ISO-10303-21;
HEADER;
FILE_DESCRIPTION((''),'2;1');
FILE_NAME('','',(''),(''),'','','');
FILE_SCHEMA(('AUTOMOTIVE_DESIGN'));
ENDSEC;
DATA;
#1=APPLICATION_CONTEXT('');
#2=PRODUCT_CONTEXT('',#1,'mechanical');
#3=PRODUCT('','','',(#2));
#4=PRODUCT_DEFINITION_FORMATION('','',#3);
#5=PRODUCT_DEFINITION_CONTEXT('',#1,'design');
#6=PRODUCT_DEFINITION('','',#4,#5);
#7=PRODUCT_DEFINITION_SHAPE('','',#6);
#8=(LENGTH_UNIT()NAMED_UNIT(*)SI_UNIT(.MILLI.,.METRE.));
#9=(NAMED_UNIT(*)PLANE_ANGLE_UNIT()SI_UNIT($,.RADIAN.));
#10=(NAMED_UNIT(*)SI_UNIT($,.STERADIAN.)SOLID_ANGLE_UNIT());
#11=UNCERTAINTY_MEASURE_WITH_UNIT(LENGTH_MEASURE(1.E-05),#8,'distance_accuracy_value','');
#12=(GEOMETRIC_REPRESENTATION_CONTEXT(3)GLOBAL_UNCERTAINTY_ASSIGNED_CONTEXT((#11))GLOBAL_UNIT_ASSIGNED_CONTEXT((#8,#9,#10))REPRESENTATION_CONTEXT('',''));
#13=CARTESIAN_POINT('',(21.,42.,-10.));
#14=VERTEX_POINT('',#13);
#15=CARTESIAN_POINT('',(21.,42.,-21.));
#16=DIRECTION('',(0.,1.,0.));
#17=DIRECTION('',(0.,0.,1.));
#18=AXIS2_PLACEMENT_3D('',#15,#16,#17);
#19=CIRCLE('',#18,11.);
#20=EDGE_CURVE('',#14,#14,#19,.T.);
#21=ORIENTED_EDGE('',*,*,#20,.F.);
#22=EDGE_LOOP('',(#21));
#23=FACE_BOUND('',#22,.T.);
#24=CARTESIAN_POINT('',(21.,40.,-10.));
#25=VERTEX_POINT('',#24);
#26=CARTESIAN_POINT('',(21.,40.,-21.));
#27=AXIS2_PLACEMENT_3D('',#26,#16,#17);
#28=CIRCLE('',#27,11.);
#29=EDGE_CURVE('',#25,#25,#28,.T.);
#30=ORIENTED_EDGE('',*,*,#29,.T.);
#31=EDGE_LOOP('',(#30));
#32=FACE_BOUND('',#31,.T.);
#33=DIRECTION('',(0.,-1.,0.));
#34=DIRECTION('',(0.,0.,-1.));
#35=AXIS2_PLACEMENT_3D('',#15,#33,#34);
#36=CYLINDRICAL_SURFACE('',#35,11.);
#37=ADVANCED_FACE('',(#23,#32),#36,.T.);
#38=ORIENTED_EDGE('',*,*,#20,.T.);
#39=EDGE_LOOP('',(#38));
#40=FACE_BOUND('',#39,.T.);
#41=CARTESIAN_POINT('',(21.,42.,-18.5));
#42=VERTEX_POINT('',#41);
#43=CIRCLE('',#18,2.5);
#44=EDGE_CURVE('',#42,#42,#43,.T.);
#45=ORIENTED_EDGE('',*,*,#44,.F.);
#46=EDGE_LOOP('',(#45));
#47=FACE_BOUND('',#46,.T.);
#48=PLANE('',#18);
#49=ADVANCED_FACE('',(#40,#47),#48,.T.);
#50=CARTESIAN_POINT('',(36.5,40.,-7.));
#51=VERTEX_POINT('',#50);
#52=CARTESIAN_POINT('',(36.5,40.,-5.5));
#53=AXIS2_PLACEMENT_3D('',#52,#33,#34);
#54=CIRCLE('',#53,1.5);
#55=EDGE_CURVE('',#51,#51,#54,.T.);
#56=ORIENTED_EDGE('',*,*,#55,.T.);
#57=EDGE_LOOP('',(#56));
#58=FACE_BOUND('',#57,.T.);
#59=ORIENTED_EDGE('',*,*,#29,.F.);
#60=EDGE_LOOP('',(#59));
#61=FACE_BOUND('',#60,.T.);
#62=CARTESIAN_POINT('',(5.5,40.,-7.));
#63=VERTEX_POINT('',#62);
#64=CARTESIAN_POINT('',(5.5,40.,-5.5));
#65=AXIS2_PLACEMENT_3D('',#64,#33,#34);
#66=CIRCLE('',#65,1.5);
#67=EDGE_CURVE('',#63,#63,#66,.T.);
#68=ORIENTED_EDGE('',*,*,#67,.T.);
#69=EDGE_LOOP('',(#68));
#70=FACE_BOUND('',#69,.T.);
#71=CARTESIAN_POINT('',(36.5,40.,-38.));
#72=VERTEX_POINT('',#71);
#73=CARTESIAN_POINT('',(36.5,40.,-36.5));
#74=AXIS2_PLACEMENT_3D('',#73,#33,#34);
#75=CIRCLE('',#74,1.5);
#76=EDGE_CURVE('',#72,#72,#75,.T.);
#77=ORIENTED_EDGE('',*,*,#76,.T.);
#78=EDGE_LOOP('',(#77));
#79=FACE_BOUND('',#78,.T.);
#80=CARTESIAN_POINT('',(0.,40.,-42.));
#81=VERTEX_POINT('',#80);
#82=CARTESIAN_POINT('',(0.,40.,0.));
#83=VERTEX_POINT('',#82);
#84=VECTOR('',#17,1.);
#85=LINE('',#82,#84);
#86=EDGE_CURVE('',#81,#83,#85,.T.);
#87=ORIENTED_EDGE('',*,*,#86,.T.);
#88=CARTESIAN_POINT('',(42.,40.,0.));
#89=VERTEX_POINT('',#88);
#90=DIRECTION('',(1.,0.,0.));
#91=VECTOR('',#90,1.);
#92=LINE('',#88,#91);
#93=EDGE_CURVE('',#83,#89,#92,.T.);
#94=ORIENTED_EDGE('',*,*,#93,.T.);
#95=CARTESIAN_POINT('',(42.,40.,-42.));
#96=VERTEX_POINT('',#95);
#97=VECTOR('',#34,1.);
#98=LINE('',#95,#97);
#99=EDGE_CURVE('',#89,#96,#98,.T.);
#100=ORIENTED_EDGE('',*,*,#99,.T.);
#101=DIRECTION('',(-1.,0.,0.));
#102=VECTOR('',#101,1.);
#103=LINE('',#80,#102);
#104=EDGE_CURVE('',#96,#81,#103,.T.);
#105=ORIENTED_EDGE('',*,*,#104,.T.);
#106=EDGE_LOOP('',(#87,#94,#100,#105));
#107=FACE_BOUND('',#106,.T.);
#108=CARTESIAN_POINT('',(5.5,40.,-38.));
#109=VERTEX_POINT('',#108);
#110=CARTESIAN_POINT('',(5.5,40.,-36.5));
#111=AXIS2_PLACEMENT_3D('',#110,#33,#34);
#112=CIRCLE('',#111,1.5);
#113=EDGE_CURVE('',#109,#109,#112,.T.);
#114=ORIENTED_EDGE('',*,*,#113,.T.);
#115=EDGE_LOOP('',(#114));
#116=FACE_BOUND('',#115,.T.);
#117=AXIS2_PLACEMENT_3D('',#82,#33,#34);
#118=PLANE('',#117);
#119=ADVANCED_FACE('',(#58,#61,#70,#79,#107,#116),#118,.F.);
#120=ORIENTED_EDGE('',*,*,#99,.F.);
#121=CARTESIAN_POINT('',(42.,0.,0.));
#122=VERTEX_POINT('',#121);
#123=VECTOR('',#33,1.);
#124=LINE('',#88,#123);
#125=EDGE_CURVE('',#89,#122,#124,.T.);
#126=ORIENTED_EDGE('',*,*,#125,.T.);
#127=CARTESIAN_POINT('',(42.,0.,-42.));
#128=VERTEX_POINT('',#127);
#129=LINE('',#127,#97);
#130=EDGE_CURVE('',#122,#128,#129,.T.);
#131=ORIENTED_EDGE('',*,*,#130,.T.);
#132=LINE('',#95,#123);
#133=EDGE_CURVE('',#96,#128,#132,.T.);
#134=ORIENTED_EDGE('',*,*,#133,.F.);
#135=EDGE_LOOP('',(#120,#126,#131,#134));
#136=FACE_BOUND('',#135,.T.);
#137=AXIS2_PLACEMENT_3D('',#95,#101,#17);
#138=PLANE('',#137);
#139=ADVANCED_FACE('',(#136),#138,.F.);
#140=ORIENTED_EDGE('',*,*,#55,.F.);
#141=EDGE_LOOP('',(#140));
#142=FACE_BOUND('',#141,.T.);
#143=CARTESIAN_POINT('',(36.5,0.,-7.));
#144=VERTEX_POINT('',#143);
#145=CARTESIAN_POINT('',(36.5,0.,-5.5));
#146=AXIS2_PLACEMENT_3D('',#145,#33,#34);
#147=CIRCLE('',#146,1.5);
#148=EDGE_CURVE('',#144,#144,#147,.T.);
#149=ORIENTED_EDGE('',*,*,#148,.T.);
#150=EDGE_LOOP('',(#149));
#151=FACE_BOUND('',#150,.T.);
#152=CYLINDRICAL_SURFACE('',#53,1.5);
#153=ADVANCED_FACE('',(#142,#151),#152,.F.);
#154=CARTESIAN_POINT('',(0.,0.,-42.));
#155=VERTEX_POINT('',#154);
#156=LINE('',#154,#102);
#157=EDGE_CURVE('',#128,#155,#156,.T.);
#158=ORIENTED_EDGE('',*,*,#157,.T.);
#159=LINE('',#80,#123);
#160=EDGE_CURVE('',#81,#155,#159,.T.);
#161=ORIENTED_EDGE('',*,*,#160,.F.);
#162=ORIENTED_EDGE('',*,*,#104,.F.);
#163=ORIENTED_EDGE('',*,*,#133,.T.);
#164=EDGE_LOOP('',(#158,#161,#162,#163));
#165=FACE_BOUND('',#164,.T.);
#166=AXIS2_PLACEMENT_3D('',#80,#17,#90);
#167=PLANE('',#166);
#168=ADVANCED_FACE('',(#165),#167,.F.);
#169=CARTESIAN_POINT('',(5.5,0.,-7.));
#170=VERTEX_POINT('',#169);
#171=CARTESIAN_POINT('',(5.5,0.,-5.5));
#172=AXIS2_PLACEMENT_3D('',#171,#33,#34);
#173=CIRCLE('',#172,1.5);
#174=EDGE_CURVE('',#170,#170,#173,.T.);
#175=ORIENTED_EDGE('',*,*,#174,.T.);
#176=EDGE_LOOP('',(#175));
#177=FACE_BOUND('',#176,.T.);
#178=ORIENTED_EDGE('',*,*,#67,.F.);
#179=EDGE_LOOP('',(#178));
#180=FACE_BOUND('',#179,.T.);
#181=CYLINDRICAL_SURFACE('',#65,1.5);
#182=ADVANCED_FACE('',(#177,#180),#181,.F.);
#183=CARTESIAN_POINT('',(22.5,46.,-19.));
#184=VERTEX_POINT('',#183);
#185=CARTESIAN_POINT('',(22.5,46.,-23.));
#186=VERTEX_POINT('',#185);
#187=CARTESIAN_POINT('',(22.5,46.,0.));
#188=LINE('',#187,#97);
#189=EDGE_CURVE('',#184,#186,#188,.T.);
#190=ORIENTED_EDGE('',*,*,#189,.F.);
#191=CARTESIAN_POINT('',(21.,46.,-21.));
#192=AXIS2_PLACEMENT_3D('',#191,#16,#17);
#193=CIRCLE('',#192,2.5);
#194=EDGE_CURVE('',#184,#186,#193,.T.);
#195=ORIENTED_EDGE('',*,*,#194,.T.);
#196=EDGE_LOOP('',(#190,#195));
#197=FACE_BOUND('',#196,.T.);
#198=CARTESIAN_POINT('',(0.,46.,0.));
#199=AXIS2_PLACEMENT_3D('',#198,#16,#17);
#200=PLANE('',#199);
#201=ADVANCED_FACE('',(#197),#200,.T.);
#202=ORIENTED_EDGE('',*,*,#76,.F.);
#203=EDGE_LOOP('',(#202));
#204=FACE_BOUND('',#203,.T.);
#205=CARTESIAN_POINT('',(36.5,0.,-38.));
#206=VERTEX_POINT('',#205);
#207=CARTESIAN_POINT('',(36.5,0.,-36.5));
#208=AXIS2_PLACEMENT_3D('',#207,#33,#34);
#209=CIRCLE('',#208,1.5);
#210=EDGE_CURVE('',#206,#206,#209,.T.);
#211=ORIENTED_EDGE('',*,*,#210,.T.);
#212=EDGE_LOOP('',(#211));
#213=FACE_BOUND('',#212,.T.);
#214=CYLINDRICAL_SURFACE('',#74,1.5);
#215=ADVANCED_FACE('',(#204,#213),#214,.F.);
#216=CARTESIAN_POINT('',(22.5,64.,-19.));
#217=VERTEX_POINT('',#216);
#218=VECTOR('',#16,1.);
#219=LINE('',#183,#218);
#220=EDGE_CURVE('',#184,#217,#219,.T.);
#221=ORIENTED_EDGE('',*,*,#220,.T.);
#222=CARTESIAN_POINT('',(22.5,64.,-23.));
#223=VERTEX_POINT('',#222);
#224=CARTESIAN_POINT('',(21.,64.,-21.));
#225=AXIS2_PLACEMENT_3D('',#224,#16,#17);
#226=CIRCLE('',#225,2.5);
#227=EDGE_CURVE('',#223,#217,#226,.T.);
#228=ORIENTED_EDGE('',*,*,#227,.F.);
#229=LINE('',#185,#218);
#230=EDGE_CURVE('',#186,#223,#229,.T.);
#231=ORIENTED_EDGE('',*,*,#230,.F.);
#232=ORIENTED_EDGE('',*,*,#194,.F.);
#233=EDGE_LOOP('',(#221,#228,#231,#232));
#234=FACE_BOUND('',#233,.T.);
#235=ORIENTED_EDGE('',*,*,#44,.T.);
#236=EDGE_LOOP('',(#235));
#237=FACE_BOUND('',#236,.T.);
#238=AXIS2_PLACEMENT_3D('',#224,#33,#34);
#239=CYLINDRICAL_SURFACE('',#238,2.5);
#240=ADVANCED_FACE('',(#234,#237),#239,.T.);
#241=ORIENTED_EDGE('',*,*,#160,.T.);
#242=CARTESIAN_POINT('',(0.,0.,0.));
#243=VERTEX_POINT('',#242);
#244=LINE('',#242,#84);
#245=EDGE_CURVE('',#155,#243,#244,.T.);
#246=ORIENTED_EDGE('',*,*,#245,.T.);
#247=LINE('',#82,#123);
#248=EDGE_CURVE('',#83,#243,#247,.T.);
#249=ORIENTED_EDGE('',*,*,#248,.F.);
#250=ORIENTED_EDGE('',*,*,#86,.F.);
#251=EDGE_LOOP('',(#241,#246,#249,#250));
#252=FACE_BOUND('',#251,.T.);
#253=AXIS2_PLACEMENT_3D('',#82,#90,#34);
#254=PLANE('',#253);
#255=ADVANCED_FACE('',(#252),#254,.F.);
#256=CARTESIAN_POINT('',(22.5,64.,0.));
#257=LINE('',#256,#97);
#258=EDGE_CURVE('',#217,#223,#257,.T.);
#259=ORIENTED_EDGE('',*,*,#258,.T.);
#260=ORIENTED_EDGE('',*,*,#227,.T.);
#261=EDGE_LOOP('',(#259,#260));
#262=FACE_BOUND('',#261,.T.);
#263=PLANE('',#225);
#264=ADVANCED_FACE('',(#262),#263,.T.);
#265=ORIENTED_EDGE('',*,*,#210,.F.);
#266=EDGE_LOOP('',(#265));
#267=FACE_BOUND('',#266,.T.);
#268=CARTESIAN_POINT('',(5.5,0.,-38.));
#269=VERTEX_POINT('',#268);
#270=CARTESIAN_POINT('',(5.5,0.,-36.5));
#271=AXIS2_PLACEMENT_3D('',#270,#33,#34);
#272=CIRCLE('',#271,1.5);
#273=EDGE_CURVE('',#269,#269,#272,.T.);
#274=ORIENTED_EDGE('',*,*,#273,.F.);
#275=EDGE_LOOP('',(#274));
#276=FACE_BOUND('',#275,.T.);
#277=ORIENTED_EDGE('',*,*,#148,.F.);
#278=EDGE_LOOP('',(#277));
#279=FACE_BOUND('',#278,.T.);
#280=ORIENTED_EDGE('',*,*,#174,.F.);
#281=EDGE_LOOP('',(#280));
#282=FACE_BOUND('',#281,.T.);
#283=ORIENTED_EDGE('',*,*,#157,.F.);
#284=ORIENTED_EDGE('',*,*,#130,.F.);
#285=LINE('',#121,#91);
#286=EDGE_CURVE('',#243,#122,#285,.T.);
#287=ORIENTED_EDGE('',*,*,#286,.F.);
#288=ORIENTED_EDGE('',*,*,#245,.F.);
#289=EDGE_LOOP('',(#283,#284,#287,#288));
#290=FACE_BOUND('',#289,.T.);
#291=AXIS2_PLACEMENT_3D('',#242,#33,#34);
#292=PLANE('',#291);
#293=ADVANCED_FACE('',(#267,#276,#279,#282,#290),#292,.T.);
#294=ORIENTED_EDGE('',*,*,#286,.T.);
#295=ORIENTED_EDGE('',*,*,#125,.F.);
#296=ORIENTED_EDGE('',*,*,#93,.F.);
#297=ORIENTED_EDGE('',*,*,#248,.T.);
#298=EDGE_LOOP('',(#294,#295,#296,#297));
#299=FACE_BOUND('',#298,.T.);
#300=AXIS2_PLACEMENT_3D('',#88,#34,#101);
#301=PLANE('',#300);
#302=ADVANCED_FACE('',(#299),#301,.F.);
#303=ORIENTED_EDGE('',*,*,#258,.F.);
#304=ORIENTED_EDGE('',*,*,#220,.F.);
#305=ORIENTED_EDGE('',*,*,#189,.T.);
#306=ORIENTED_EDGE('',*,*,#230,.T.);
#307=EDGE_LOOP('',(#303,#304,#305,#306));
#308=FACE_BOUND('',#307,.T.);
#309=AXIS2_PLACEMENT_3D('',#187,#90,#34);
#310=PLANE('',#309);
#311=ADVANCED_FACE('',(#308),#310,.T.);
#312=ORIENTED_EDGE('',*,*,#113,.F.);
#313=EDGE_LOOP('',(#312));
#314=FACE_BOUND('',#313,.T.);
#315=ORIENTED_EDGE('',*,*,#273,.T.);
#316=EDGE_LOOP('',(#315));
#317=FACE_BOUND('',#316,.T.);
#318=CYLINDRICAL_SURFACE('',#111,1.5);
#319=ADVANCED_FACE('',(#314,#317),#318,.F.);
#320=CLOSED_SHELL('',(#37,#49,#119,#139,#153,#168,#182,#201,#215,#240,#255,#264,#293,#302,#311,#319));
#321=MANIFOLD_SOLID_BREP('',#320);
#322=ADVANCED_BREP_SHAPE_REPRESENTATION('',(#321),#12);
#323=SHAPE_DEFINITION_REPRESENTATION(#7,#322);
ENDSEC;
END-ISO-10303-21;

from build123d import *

# Parameters (mm, degrees)
SKETCH_1_W          = 42
SKETCH_1_H          = 42
EXTRUDE_1_DEPTH     = 40
SKETCH_2_R          = 11
EXTRUDE_2_DEPTH     = 2
SKETCH_3_R          = 1.5
CUT_EXTRUDE_1_DEPTH = 40
SKETCH_4_R          = 2.5
EXTRUDE_3_DEPTH     = 22
CUT_EXTRUDE_START   = -18
CUT_EXTRUDE_2_DEPTH = 18


with BuildPart() as part:
    # 草图1 → 凸台-拉伸1 (new body)
    with BuildSketch(Plane(origin=(0, 0, 0), x_dir=(1, 0, 0), z_dir=(0, 1, 0))):
        with Locations((21, 21)):
            Rectangle(SKETCH_1_W, SKETCH_1_H)
    extrude(amount=EXTRUDE_1_DEPTH)

    # 草图2 → 凸台-拉伸2 (add)
    with BuildSketch(Plane(origin=(0, 40, 0), x_dir=(1, 0, 0), z_dir=(0, 1, 0))):
        with Locations(Location((21, 21, 0), (0, 0, 270))):
            Circle(SKETCH_2_R)
    extrude(amount=EXTRUDE_2_DEPTH)

    # 草图3 → 切除-拉伸1 (cut)
    with BuildSketch(Plane.XZ):
        with Locations(Location((5.5, -36.5, 0), (0, 0, 270))):
            Circle(SKETCH_3_R)
        with Locations(Location((36.5, -36.5, 0), (0, 0, 270))):
            Circle(SKETCH_3_R)
        with Locations(Location((36.5, -5.5, 0), (0, 0, 270))):
            Circle(SKETCH_3_R)
        with Locations(Location((5.5, -5.5, 0), (0, 0, 270))):
            Circle(SKETCH_3_R)
    extrude(amount=-CUT_EXTRUDE_1_DEPTH, mode=Mode.SUBTRACT)

    # 草图4 → 凸台-拉伸3 (add)
    with BuildSketch(Plane(origin=(0, 42, 0), x_dir=(1, 0, 0), z_dir=(0, 1, 0))):
        with Locations(Location((21, 21, 0), (0, 0, 270))):
            Circle(SKETCH_4_R)
    extrude(amount=EXTRUDE_3_DEPTH)

    # 草图6 → 切除-拉伸2 (cut)
    with BuildSketch(Plane(origin=(0, 64, 0), x_dir=(1, 0, 0), z_dir=(0, 1, 0)).offset(CUT_EXTRUDE_START)):
        with BuildLine():
            Line((22.5, 23), (22.5, 21))
            Line((22.5, 21), (22.5, 19))
            ThreePointArc((22.5, 19), (23.236067977, 19.881966011), (23.5, 21))
            ThreePointArc((23.5, 21), (23.236067977, 22.118033989), (22.5, 23))
        make_face()
    extrude(amount=CUT_EXTRUDE_2_DEPTH, mode=Mode.SUBTRACT)


solid = part.part
